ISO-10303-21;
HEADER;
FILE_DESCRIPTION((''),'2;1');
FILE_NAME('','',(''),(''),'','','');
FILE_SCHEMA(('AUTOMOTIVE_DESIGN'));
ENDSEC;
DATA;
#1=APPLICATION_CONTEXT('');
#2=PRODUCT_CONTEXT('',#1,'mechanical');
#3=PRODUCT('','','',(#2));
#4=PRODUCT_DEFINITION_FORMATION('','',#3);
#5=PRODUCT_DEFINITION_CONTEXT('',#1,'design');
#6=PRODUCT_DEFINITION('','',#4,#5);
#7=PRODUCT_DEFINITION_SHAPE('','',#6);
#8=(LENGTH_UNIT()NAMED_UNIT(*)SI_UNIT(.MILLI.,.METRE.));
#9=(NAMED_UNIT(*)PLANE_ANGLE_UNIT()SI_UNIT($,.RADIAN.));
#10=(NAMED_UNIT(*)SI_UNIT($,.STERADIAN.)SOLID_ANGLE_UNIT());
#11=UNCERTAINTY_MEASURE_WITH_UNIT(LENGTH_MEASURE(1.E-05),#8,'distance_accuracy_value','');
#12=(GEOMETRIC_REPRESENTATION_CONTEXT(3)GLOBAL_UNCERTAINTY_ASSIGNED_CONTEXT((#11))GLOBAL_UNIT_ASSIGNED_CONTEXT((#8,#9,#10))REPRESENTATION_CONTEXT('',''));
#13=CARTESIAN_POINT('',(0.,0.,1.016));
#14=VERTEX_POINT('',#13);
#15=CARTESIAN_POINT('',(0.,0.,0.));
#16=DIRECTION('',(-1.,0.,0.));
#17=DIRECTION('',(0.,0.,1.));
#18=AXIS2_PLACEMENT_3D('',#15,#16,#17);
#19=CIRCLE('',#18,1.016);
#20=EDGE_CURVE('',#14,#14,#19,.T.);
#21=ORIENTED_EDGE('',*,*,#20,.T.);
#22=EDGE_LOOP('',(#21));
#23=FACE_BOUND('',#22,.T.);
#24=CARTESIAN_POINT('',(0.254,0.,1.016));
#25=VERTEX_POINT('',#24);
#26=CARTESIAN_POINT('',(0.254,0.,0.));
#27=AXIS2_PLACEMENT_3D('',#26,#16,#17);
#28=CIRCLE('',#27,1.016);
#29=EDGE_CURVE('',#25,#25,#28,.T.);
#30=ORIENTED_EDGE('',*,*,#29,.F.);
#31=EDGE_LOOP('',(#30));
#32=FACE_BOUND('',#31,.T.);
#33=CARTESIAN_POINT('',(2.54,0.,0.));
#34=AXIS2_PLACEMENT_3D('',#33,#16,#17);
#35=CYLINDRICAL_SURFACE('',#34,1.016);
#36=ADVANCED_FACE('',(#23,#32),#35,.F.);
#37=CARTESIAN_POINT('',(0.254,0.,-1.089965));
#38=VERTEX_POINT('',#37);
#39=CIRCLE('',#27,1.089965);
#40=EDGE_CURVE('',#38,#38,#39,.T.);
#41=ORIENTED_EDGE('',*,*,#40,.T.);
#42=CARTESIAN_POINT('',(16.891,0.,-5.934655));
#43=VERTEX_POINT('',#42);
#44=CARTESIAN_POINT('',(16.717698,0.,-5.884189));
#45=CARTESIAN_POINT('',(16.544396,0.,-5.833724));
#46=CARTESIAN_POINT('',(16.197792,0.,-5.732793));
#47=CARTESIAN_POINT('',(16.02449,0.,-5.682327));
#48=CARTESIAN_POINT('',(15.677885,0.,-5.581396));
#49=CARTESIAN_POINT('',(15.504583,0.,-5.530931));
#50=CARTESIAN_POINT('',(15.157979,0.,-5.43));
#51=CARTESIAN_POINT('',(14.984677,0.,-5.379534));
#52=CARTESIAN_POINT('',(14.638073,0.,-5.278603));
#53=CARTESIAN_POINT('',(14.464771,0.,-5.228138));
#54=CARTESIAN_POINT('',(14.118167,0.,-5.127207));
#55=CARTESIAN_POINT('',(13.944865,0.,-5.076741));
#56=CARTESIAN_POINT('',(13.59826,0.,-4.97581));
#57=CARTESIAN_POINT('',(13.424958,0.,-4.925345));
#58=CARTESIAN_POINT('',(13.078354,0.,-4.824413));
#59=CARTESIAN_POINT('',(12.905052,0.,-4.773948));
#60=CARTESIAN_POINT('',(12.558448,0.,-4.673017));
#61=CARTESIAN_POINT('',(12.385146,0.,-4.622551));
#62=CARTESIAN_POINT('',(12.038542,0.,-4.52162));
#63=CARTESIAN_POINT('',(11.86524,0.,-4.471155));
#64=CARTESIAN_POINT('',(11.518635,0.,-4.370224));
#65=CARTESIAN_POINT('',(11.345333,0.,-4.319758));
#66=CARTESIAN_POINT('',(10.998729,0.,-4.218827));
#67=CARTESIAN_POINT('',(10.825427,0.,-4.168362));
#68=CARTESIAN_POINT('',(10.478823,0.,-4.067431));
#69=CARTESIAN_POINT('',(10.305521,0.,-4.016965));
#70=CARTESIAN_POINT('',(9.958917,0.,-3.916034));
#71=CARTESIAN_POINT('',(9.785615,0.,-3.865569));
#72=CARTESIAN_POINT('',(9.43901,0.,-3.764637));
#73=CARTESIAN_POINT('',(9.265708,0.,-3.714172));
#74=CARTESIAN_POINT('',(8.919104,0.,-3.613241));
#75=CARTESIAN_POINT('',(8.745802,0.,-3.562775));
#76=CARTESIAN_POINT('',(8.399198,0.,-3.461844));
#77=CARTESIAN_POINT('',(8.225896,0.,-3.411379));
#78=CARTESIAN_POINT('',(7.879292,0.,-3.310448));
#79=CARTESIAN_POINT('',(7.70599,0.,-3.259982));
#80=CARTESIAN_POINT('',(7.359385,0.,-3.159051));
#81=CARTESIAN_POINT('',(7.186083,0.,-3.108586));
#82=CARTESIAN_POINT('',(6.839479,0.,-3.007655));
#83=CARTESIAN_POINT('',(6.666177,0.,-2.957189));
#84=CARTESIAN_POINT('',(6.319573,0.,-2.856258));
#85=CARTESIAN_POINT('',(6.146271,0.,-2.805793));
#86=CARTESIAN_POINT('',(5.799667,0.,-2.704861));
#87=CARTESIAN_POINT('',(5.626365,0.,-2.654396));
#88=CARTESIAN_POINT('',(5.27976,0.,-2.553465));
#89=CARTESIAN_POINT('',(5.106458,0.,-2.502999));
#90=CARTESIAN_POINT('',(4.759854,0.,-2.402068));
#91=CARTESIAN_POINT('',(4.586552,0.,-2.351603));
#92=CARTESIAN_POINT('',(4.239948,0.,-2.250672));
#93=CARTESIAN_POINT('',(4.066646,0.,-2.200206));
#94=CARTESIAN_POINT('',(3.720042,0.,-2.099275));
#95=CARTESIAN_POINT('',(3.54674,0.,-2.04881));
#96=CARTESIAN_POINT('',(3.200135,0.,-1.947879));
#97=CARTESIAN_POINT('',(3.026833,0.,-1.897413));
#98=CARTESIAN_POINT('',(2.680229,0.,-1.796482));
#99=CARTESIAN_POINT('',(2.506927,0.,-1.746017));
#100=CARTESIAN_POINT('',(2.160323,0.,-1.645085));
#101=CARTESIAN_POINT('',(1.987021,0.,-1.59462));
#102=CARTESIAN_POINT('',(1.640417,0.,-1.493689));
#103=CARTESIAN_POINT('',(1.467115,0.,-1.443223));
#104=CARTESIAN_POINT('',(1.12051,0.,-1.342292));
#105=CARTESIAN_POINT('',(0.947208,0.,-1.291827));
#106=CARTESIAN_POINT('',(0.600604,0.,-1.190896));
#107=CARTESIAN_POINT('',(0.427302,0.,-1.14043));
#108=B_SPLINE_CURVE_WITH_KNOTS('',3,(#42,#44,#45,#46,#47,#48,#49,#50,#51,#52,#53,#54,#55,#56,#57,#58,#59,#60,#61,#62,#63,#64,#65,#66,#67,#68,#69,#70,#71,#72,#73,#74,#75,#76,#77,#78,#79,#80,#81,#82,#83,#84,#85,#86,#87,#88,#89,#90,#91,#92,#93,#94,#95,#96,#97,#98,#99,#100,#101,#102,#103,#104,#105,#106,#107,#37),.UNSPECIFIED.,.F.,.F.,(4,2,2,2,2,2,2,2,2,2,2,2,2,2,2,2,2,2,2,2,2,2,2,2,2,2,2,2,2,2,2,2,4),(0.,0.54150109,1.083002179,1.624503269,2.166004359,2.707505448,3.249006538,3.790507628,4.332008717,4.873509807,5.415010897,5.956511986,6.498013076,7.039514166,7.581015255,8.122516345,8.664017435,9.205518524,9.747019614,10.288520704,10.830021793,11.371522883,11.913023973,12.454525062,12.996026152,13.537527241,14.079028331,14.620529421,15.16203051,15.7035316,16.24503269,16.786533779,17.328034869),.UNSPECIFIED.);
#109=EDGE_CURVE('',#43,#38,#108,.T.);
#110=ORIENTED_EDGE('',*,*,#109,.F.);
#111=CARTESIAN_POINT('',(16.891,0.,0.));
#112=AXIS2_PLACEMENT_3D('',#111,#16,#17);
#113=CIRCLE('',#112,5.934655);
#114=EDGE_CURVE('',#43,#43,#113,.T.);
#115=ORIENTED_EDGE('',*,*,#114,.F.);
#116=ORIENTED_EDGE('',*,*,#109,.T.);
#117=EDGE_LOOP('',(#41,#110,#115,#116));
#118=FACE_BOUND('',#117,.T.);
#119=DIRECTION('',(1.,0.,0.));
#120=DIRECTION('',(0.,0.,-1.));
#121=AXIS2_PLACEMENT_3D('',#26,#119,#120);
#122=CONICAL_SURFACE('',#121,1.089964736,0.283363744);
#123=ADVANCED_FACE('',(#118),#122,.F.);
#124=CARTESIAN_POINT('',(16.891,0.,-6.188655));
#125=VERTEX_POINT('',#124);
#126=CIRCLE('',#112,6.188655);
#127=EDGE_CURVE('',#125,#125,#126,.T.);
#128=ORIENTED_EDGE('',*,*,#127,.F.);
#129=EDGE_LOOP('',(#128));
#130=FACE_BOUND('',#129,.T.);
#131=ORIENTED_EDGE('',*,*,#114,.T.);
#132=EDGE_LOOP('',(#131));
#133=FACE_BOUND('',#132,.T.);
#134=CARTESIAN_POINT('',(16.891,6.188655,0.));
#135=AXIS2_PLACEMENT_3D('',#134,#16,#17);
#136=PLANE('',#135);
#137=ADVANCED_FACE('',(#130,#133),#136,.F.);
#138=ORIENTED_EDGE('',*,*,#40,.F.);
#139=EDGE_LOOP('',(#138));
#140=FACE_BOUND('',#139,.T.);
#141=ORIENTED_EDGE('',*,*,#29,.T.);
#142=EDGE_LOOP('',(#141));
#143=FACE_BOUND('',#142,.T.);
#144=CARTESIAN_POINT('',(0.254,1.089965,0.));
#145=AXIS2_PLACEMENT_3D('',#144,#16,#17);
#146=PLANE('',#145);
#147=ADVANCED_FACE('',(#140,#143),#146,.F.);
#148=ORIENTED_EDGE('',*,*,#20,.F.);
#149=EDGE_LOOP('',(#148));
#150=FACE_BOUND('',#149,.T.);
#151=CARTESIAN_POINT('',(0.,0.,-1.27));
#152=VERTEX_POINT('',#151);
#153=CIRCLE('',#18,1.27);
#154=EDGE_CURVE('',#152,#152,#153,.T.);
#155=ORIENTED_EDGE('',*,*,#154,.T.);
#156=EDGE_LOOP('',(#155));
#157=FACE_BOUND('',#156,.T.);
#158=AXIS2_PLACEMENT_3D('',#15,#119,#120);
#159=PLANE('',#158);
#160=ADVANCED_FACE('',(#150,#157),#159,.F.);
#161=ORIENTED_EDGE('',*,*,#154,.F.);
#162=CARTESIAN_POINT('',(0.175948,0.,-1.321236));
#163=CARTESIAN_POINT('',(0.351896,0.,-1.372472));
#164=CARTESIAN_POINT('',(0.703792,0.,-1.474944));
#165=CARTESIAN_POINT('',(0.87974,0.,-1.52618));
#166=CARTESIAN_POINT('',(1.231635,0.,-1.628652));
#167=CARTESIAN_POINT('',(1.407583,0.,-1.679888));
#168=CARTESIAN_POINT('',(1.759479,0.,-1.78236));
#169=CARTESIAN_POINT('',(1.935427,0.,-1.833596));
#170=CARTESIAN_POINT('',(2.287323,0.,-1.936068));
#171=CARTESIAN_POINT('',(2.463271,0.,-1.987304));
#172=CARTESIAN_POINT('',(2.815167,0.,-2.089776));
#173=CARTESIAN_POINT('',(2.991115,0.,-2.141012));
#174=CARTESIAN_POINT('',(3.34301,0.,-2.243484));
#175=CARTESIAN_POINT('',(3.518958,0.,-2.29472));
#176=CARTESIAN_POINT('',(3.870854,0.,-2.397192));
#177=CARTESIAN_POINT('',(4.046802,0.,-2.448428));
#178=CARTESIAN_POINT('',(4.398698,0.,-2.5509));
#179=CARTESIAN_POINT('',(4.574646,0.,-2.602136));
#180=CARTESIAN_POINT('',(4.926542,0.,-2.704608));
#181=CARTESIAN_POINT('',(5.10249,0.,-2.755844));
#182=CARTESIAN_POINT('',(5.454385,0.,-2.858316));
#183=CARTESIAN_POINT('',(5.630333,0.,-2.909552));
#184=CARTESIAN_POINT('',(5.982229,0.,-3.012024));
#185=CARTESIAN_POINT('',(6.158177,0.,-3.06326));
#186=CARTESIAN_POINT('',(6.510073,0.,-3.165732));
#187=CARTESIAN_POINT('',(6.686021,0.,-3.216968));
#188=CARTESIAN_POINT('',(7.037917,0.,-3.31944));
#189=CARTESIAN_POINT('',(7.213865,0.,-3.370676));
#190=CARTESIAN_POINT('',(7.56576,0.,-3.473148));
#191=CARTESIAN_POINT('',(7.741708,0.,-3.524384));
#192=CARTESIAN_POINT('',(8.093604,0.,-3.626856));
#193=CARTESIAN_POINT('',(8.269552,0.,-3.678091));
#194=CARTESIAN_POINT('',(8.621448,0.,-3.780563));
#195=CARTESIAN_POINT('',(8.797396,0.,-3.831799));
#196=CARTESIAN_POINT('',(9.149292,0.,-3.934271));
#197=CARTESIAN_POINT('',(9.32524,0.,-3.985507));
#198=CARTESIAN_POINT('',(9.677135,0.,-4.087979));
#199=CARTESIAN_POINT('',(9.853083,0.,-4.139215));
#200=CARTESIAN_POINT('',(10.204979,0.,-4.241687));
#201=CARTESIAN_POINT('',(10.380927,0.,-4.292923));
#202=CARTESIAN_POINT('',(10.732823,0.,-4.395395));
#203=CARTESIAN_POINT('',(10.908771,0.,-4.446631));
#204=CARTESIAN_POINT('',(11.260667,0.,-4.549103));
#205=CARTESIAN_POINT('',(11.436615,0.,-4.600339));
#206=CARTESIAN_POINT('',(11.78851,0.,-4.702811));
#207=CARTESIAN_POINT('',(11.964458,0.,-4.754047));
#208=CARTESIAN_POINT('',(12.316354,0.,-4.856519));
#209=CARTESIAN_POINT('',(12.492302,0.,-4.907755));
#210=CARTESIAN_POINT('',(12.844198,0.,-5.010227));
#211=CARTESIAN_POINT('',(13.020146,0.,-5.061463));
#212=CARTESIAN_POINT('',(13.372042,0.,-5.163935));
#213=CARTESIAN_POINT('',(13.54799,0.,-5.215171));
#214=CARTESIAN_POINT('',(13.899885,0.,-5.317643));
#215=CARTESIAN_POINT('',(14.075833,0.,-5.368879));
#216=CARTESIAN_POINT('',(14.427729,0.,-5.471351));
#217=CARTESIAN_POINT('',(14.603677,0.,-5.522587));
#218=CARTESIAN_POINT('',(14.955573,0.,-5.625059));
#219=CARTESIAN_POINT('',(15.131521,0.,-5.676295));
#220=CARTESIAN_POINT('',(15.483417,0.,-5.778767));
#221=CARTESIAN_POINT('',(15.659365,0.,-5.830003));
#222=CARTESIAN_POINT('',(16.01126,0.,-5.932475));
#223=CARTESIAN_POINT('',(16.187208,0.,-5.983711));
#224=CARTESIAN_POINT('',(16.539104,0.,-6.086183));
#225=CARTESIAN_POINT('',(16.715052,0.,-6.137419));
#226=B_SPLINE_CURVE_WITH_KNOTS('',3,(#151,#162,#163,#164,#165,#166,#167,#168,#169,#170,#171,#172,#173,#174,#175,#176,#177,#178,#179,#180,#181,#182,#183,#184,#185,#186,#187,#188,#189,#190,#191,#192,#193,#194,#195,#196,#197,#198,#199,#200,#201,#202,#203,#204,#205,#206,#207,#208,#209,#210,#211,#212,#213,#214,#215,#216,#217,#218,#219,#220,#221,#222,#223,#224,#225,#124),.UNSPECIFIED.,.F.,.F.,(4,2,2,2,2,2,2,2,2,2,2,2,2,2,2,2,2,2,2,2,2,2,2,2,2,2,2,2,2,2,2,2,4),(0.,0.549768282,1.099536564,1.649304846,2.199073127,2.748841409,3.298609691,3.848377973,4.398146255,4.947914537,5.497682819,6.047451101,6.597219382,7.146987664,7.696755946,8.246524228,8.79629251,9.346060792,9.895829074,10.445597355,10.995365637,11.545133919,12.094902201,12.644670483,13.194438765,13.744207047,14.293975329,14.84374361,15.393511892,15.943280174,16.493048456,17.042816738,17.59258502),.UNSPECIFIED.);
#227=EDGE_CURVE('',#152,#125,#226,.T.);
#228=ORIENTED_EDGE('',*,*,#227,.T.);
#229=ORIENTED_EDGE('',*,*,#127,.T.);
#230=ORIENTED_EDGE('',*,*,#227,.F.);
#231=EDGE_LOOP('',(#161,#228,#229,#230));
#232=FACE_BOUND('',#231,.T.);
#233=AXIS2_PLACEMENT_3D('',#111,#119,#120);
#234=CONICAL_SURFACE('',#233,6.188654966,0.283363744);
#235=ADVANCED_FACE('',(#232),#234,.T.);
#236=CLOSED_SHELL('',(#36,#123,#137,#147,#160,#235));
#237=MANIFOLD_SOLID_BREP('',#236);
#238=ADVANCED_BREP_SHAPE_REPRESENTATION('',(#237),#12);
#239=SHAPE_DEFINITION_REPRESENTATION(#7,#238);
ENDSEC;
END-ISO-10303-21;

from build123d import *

# Parameters (mm, degrees)
SKETCH2_R          = 1.016
CUT_EXTRUDE1_DEPTH = 2.54


with BuildPart() as part:
    # Sketch1 → Revolve1 (revolve)
    with BuildSketch(Plane.XY):
        Polygon((0, 0), (0, 1.27), (16.891, 6.188654966), (16.891, 5.934654966), (0.254, 1.089964736), (0.254, 0), align=None)
    revolve(axis=Axis((-88.99, 0, 0), (1, 0, 0)))

    # Sketch2 → Cut-Extrude1 (cut)
    with BuildSketch(Plane.ZY):
        Circle(SKETCH2_R)
    extrude(amount=-CUT_EXTRUDE1_DEPTH, mode=Mode.SUBTRACT)


solid = part.part
